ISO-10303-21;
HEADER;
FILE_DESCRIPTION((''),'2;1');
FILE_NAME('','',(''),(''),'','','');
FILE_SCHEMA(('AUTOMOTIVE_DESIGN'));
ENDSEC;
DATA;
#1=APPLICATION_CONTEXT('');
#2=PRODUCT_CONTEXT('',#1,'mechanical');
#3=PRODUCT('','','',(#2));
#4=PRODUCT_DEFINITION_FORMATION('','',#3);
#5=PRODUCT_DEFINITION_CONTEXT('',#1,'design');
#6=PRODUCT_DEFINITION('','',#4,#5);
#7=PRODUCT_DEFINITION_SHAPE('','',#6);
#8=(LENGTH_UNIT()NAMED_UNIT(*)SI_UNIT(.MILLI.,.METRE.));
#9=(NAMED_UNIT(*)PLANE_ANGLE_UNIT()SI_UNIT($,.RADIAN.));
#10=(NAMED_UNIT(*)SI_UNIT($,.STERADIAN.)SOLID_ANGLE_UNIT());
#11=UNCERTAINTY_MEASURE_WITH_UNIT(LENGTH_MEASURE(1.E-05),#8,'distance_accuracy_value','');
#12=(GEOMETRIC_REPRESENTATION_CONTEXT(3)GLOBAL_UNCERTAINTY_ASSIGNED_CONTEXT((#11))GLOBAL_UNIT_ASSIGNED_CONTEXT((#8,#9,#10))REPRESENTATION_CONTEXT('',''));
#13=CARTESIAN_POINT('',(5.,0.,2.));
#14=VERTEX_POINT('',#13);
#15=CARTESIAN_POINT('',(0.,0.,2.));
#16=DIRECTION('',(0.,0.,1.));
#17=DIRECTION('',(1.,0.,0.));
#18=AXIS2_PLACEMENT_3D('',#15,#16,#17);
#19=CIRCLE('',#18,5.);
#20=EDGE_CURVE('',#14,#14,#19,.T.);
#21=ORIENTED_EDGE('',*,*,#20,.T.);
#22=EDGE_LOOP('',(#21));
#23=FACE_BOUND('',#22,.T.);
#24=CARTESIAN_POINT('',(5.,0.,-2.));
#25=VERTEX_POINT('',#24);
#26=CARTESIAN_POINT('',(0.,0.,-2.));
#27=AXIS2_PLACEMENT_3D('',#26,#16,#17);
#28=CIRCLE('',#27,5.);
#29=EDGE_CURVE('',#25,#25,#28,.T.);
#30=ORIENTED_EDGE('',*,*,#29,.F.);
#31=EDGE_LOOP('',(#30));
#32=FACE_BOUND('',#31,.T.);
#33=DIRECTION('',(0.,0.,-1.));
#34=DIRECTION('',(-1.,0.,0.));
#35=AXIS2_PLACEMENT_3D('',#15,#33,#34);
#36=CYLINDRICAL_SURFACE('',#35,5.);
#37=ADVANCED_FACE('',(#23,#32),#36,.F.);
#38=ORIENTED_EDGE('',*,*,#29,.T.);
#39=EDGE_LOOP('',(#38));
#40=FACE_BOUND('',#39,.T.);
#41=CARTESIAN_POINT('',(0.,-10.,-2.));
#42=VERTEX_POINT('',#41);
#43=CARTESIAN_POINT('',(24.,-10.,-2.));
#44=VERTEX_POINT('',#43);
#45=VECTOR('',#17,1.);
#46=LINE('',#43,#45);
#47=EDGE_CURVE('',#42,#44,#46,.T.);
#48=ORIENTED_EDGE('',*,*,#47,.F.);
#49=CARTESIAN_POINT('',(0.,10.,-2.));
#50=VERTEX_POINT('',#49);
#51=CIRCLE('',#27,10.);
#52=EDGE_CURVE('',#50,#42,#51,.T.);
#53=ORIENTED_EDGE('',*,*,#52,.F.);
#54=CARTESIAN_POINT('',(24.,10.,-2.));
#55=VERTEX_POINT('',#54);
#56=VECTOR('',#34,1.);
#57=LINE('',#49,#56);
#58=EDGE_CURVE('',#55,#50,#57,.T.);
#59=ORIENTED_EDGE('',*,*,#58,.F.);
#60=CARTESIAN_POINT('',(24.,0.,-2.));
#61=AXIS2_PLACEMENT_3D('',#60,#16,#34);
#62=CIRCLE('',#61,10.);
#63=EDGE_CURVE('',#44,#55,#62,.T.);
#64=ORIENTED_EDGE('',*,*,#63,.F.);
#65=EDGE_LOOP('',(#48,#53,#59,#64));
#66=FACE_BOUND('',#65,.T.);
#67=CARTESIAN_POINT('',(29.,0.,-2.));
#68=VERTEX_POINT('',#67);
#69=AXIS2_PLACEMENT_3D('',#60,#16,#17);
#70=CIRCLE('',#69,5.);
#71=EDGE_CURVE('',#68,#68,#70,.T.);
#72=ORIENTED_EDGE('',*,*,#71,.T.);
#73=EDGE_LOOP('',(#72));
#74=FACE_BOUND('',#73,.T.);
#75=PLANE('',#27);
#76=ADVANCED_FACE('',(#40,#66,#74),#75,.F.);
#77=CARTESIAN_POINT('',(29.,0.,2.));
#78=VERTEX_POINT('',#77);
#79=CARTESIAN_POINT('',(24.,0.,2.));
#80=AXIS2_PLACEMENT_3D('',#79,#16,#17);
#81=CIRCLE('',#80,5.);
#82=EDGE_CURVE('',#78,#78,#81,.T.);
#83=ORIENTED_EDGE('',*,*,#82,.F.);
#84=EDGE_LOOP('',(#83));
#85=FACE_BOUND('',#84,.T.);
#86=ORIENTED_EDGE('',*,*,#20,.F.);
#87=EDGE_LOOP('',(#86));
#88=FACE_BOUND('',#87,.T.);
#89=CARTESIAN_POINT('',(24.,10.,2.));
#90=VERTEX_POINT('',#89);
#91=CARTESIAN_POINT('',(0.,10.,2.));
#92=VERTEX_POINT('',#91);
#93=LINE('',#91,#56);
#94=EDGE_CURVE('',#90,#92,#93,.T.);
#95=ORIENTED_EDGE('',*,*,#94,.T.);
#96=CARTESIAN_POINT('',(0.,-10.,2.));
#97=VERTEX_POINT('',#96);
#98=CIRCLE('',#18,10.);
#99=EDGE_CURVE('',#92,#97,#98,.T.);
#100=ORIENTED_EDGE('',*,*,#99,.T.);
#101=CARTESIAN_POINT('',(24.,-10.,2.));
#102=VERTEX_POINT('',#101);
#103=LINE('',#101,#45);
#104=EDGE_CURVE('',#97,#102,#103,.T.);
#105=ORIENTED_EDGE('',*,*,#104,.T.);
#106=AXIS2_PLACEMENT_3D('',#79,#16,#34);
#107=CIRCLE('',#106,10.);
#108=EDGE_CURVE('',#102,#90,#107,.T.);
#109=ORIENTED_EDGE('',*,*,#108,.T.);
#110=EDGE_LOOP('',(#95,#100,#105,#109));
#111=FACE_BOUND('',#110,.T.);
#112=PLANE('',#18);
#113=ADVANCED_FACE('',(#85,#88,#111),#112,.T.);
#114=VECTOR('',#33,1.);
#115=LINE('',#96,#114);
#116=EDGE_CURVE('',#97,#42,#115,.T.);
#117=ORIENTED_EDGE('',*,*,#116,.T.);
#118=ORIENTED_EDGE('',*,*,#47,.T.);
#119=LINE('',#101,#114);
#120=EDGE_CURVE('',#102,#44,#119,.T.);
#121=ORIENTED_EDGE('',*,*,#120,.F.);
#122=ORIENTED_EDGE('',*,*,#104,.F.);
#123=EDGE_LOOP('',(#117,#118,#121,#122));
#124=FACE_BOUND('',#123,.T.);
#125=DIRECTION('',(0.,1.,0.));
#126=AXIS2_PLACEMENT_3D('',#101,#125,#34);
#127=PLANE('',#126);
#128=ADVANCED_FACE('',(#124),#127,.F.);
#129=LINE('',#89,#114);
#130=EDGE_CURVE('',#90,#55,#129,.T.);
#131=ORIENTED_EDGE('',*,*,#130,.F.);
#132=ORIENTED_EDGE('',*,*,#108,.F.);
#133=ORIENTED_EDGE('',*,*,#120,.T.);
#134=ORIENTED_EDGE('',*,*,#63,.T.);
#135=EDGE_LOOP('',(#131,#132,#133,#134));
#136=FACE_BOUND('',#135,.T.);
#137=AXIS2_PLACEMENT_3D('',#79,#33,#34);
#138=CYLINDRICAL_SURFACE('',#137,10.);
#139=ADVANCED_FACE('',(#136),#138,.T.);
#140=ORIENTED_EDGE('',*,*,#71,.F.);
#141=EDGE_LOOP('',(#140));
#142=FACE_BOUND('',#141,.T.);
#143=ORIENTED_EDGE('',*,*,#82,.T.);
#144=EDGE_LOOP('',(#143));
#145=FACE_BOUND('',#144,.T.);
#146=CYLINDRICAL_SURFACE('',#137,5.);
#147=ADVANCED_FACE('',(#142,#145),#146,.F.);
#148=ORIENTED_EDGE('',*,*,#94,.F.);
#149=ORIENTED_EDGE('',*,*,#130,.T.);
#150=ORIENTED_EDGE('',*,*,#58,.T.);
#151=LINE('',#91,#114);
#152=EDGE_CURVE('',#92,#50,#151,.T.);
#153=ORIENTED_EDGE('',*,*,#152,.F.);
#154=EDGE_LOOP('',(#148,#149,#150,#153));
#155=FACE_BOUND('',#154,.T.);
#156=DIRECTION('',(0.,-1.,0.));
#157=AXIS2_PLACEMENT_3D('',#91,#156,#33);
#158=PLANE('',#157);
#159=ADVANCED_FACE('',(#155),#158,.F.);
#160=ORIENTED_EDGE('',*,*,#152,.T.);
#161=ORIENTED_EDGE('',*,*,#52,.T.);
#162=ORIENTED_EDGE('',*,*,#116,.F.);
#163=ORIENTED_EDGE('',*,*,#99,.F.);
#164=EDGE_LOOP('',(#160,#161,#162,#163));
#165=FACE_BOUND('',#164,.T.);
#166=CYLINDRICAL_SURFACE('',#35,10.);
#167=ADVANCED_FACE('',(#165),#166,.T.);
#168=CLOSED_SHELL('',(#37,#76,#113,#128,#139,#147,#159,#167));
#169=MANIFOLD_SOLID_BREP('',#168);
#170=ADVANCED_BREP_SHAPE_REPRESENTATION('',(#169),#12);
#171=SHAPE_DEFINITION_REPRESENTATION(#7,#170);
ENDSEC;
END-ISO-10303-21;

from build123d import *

# Parameters (mm, degrees)
ESQUISSE1_R          = 5
BASE_EXTRUSION_DEPTH = 2


with BuildPart() as part:
    # Esquisse1 → Base-Extrusion (new, symmetric)
    with BuildSketch(Plane.XY):
        with BuildLine():
            Line((0, 10), (24, 10))
            ThreePointArc((24, 10), (34, 0), (24, -10))
            Line((24, -10), (0, -10))
            ThreePointArc((0, -10), (-10, 0), (0, 10))
        make_face()
        Circle(ESQUISSE1_R, mode=Mode.SUBTRACT)
        with Locations((24, 0)):
            Circle(ESQUISSE1_R, mode=Mode.SUBTRACT)
    extrude(amount=BASE_EXTRUSION_DEPTH, both=True)


solid = part.part
